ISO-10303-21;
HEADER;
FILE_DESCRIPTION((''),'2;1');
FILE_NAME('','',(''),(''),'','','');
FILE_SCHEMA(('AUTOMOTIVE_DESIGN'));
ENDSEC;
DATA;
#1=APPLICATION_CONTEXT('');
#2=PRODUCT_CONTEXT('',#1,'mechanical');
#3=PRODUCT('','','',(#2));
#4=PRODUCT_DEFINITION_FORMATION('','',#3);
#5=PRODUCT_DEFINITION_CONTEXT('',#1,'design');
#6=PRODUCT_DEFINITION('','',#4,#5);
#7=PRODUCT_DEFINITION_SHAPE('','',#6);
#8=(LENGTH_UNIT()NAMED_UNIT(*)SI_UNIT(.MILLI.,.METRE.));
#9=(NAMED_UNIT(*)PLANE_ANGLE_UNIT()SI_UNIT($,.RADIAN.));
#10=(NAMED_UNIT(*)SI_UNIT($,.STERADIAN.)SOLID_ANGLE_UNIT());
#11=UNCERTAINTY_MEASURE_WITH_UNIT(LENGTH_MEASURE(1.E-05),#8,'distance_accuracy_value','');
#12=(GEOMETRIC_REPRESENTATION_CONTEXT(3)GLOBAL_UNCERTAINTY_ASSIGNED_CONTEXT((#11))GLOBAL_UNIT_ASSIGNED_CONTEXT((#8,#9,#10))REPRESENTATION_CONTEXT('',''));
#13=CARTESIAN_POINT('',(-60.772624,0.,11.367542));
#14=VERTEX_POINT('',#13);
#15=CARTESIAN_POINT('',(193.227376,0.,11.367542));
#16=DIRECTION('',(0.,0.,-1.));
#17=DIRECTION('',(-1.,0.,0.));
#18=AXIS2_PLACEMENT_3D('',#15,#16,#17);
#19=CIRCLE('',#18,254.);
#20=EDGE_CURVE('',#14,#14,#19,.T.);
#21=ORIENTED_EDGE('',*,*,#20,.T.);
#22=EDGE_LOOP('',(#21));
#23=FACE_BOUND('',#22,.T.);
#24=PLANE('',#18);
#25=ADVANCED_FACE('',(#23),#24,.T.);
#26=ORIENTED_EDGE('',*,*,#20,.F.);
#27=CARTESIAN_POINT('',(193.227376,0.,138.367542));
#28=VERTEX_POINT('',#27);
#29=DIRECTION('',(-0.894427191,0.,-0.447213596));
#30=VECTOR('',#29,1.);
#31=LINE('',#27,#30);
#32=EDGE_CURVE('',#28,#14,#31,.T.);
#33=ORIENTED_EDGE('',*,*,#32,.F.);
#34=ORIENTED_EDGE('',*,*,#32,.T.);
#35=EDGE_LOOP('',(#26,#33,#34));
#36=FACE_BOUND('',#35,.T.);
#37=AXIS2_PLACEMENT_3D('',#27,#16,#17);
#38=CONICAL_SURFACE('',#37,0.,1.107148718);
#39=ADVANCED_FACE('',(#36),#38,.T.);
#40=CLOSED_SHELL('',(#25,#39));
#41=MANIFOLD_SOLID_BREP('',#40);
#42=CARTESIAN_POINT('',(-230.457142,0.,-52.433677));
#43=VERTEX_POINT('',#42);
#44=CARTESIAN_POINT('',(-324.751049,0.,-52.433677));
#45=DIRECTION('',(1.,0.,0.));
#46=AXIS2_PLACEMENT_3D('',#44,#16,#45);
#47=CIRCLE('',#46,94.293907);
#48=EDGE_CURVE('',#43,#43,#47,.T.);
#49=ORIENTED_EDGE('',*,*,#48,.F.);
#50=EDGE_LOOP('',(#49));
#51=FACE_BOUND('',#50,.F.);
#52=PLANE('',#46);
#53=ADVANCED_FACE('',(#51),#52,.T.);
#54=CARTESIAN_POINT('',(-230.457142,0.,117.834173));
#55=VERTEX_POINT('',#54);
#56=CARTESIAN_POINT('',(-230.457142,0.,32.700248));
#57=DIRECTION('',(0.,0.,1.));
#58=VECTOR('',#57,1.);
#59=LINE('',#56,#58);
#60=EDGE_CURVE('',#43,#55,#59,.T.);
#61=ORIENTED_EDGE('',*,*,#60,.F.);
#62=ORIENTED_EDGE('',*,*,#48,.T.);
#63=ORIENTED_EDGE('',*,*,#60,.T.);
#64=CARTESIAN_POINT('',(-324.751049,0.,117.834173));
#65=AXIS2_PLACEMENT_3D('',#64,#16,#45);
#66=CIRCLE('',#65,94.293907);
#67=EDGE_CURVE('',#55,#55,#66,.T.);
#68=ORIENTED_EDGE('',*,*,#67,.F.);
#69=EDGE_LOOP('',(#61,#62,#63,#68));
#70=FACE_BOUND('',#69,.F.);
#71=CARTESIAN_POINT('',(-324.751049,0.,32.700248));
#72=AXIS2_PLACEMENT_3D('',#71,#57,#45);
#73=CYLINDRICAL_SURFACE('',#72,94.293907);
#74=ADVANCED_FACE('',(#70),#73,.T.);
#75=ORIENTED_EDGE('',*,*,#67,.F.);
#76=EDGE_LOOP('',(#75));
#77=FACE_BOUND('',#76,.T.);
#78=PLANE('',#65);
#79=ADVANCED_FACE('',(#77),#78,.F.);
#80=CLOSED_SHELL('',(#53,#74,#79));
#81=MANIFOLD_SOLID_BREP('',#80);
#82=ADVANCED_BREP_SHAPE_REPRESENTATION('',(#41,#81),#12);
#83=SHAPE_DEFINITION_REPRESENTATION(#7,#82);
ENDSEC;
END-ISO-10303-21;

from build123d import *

# Parameters (mm, degrees)
F2_W = 94.2939072847
F2_H = 170.2678501606


with BuildPart() as f1:
    # F0 (on Front) → F1 (revolve)
    with BuildSketch(Plane.XZ):
        Polygon((193.2273761332, 11.3675417379), (193.2273761332, 138.3675417379), (-60.7726238668, 11.3675417379), align=None)
    revolve(axis=Axis((193.2273761332, 0, 74.8675417379), (0, 0, -1)))


with BuildPart() as f3:
    # F2 (on Front) → F3 (revolve)
    with BuildSketch(Plane.XZ):
        with Locations((-277.6040956378, 32.7002480626)):
            Rectangle(F2_W, F2_H)
    revolve(axis=Axis((-324.7510492802, 0, 32.7002480626), (0, 0, -1)))


solid = Compound([f1.part, f3.part])
